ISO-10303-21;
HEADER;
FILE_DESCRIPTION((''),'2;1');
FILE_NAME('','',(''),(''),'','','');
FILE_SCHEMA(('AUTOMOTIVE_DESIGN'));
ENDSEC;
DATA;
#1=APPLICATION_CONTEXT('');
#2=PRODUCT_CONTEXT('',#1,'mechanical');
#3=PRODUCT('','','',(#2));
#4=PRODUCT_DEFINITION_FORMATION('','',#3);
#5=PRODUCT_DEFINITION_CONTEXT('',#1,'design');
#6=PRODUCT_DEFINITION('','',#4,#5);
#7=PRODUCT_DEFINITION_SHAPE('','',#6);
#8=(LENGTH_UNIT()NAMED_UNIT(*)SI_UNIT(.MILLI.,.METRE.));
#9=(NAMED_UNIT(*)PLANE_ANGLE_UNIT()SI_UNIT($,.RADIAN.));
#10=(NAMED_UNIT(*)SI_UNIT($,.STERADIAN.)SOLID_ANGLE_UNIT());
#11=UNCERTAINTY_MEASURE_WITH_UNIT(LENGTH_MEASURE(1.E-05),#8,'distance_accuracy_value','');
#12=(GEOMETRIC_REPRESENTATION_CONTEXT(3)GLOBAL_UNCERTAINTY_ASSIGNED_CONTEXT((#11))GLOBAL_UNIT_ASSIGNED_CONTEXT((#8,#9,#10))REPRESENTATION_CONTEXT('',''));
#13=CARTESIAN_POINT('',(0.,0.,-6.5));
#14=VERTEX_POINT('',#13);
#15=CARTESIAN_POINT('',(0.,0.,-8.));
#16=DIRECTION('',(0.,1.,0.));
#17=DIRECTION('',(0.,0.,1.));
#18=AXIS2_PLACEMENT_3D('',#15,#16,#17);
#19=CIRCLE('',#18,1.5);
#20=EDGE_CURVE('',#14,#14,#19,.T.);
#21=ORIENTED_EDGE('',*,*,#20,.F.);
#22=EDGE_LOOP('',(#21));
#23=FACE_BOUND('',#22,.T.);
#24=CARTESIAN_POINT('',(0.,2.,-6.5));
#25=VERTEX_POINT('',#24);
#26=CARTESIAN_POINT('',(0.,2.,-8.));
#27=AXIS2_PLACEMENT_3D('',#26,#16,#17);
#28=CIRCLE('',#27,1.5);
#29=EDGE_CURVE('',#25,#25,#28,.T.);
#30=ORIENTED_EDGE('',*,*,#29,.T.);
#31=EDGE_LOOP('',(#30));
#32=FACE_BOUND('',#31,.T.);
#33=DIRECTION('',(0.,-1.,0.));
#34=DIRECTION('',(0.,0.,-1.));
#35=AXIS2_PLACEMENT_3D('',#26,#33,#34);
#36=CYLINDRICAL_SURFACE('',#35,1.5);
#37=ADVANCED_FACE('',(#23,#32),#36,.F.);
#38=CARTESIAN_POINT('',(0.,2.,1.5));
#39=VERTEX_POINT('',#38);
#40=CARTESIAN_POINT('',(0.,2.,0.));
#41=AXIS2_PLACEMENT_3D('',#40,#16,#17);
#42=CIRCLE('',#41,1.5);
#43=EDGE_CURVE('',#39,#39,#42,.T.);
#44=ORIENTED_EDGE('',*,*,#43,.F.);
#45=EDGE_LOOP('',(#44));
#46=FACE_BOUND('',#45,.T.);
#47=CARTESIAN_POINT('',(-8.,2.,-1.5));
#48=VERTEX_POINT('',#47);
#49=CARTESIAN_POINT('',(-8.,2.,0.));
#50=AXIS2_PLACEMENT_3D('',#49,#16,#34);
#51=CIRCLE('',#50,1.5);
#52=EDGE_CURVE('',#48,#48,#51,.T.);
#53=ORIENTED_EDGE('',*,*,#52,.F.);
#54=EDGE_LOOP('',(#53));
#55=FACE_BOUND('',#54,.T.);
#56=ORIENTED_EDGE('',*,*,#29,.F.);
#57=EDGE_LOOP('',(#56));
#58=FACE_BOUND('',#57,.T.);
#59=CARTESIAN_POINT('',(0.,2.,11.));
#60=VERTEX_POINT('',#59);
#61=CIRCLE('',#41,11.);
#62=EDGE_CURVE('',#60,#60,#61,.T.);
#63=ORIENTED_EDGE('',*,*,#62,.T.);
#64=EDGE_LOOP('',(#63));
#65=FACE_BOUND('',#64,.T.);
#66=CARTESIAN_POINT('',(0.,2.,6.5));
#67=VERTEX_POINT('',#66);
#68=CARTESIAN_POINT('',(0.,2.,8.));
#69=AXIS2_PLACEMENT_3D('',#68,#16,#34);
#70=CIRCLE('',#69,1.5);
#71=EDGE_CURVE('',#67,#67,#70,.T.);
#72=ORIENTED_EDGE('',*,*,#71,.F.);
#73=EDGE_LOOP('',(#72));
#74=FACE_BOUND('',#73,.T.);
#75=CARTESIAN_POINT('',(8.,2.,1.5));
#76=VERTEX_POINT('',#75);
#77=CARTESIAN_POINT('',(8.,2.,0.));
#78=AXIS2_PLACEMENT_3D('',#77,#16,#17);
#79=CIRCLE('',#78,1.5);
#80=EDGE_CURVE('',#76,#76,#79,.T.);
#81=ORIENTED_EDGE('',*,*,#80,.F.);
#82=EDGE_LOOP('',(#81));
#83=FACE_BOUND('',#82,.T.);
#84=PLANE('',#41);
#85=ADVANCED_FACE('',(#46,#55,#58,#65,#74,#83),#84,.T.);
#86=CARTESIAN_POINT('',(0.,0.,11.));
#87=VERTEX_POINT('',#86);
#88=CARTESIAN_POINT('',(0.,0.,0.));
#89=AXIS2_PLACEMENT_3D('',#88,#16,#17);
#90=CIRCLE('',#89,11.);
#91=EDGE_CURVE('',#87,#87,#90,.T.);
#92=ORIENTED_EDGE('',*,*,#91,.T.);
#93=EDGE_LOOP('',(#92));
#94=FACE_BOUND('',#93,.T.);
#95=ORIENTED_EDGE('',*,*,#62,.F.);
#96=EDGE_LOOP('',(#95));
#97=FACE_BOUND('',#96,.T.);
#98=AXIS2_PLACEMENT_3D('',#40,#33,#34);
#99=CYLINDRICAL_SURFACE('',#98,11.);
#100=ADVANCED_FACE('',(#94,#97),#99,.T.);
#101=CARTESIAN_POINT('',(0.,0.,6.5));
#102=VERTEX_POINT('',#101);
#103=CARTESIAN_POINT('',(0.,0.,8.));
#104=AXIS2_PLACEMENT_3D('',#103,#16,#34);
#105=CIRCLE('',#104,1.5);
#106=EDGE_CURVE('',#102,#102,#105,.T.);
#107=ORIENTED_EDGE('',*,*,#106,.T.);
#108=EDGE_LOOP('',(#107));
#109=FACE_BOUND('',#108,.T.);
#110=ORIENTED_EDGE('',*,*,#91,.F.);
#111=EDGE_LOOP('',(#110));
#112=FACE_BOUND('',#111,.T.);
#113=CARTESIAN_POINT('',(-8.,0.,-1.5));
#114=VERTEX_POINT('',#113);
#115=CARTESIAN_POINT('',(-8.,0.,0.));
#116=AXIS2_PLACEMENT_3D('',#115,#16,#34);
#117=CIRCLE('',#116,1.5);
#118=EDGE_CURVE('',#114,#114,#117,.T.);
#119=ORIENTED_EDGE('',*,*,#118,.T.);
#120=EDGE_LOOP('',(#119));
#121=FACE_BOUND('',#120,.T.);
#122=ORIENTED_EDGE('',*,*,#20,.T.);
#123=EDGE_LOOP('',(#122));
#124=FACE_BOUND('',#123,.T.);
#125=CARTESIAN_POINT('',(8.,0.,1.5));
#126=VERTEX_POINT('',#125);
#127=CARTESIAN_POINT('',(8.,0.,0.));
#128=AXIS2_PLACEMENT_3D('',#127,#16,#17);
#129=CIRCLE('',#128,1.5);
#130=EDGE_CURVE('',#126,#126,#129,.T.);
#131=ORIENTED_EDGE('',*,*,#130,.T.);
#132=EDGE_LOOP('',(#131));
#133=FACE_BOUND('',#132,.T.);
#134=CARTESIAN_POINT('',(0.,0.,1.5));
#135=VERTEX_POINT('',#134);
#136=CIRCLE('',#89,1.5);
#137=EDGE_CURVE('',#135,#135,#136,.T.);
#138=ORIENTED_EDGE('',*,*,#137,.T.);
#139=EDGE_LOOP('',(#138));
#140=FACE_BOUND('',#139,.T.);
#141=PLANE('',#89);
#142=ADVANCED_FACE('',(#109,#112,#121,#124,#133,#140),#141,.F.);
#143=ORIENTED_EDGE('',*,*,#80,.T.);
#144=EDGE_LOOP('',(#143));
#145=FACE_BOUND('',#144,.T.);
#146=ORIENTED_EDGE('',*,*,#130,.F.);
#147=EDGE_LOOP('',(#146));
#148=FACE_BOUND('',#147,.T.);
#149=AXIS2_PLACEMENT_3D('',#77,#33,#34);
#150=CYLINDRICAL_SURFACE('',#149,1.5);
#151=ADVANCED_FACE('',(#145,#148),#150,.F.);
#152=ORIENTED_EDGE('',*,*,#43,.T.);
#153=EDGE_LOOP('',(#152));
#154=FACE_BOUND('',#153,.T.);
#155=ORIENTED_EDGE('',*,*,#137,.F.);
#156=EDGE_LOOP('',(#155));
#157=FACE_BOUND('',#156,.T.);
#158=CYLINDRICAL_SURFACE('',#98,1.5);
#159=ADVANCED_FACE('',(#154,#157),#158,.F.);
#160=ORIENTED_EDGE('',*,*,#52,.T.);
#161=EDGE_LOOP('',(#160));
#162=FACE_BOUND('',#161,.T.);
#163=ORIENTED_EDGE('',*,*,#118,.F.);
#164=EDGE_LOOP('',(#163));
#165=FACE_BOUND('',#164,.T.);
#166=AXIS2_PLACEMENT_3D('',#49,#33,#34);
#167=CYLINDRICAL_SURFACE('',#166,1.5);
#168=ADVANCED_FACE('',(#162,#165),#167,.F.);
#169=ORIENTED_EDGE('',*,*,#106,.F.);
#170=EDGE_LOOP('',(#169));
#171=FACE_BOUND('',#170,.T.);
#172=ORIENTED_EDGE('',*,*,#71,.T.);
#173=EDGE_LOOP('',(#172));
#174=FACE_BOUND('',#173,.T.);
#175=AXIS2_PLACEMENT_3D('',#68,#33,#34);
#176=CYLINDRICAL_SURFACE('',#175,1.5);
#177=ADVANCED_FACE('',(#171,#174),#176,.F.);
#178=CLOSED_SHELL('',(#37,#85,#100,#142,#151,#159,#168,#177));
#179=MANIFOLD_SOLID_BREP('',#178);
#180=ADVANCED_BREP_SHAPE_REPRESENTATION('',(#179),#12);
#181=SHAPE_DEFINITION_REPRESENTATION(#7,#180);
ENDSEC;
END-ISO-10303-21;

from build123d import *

# Parameters (mm, degrees)
SKETCH_1_R      = 11
SKETCH_1_R_2    = 1.5
EXTRUDE_1_DEPTH = 2


with BuildPart() as part:
    # 草图1 → 凸台-拉伸1 (new body)
    with BuildSketch(Plane(origin=(0, 0, 0), x_dir=(1, 0, 0), z_dir=(0, 1, 0))):
        with Locations(Location((0, 0, 0), (0, 0, 270))):
            Circle(SKETCH_1_R)
        with Locations(Location((0, 8, 0), (0, 0, 270))):
            Circle(SKETCH_1_R_2, mode=Mode.SUBTRACT)
        with Locations(Location((8, 0, 0), (0, 0, 270))):
            Circle(SKETCH_1_R_2, mode=Mode.SUBTRACT)
        with Locations(Location((-8, 0, 0), (0, 0, 90))):
            Circle(SKETCH_1_R_2, mode=Mode.SUBTRACT)
        with Locations(Location((0, -8, 0), (0, 0, 90))):
            Circle(SKETCH_1_R_2, mode=Mode.SUBTRACT)
        with Locations(Location((0, 0, 0), (0, 0, 270))):
            Circle(SKETCH_1_R_2, mode=Mode.SUBTRACT)
    extrude(amount=EXTRUDE_1_DEPTH)


solid = part.part
